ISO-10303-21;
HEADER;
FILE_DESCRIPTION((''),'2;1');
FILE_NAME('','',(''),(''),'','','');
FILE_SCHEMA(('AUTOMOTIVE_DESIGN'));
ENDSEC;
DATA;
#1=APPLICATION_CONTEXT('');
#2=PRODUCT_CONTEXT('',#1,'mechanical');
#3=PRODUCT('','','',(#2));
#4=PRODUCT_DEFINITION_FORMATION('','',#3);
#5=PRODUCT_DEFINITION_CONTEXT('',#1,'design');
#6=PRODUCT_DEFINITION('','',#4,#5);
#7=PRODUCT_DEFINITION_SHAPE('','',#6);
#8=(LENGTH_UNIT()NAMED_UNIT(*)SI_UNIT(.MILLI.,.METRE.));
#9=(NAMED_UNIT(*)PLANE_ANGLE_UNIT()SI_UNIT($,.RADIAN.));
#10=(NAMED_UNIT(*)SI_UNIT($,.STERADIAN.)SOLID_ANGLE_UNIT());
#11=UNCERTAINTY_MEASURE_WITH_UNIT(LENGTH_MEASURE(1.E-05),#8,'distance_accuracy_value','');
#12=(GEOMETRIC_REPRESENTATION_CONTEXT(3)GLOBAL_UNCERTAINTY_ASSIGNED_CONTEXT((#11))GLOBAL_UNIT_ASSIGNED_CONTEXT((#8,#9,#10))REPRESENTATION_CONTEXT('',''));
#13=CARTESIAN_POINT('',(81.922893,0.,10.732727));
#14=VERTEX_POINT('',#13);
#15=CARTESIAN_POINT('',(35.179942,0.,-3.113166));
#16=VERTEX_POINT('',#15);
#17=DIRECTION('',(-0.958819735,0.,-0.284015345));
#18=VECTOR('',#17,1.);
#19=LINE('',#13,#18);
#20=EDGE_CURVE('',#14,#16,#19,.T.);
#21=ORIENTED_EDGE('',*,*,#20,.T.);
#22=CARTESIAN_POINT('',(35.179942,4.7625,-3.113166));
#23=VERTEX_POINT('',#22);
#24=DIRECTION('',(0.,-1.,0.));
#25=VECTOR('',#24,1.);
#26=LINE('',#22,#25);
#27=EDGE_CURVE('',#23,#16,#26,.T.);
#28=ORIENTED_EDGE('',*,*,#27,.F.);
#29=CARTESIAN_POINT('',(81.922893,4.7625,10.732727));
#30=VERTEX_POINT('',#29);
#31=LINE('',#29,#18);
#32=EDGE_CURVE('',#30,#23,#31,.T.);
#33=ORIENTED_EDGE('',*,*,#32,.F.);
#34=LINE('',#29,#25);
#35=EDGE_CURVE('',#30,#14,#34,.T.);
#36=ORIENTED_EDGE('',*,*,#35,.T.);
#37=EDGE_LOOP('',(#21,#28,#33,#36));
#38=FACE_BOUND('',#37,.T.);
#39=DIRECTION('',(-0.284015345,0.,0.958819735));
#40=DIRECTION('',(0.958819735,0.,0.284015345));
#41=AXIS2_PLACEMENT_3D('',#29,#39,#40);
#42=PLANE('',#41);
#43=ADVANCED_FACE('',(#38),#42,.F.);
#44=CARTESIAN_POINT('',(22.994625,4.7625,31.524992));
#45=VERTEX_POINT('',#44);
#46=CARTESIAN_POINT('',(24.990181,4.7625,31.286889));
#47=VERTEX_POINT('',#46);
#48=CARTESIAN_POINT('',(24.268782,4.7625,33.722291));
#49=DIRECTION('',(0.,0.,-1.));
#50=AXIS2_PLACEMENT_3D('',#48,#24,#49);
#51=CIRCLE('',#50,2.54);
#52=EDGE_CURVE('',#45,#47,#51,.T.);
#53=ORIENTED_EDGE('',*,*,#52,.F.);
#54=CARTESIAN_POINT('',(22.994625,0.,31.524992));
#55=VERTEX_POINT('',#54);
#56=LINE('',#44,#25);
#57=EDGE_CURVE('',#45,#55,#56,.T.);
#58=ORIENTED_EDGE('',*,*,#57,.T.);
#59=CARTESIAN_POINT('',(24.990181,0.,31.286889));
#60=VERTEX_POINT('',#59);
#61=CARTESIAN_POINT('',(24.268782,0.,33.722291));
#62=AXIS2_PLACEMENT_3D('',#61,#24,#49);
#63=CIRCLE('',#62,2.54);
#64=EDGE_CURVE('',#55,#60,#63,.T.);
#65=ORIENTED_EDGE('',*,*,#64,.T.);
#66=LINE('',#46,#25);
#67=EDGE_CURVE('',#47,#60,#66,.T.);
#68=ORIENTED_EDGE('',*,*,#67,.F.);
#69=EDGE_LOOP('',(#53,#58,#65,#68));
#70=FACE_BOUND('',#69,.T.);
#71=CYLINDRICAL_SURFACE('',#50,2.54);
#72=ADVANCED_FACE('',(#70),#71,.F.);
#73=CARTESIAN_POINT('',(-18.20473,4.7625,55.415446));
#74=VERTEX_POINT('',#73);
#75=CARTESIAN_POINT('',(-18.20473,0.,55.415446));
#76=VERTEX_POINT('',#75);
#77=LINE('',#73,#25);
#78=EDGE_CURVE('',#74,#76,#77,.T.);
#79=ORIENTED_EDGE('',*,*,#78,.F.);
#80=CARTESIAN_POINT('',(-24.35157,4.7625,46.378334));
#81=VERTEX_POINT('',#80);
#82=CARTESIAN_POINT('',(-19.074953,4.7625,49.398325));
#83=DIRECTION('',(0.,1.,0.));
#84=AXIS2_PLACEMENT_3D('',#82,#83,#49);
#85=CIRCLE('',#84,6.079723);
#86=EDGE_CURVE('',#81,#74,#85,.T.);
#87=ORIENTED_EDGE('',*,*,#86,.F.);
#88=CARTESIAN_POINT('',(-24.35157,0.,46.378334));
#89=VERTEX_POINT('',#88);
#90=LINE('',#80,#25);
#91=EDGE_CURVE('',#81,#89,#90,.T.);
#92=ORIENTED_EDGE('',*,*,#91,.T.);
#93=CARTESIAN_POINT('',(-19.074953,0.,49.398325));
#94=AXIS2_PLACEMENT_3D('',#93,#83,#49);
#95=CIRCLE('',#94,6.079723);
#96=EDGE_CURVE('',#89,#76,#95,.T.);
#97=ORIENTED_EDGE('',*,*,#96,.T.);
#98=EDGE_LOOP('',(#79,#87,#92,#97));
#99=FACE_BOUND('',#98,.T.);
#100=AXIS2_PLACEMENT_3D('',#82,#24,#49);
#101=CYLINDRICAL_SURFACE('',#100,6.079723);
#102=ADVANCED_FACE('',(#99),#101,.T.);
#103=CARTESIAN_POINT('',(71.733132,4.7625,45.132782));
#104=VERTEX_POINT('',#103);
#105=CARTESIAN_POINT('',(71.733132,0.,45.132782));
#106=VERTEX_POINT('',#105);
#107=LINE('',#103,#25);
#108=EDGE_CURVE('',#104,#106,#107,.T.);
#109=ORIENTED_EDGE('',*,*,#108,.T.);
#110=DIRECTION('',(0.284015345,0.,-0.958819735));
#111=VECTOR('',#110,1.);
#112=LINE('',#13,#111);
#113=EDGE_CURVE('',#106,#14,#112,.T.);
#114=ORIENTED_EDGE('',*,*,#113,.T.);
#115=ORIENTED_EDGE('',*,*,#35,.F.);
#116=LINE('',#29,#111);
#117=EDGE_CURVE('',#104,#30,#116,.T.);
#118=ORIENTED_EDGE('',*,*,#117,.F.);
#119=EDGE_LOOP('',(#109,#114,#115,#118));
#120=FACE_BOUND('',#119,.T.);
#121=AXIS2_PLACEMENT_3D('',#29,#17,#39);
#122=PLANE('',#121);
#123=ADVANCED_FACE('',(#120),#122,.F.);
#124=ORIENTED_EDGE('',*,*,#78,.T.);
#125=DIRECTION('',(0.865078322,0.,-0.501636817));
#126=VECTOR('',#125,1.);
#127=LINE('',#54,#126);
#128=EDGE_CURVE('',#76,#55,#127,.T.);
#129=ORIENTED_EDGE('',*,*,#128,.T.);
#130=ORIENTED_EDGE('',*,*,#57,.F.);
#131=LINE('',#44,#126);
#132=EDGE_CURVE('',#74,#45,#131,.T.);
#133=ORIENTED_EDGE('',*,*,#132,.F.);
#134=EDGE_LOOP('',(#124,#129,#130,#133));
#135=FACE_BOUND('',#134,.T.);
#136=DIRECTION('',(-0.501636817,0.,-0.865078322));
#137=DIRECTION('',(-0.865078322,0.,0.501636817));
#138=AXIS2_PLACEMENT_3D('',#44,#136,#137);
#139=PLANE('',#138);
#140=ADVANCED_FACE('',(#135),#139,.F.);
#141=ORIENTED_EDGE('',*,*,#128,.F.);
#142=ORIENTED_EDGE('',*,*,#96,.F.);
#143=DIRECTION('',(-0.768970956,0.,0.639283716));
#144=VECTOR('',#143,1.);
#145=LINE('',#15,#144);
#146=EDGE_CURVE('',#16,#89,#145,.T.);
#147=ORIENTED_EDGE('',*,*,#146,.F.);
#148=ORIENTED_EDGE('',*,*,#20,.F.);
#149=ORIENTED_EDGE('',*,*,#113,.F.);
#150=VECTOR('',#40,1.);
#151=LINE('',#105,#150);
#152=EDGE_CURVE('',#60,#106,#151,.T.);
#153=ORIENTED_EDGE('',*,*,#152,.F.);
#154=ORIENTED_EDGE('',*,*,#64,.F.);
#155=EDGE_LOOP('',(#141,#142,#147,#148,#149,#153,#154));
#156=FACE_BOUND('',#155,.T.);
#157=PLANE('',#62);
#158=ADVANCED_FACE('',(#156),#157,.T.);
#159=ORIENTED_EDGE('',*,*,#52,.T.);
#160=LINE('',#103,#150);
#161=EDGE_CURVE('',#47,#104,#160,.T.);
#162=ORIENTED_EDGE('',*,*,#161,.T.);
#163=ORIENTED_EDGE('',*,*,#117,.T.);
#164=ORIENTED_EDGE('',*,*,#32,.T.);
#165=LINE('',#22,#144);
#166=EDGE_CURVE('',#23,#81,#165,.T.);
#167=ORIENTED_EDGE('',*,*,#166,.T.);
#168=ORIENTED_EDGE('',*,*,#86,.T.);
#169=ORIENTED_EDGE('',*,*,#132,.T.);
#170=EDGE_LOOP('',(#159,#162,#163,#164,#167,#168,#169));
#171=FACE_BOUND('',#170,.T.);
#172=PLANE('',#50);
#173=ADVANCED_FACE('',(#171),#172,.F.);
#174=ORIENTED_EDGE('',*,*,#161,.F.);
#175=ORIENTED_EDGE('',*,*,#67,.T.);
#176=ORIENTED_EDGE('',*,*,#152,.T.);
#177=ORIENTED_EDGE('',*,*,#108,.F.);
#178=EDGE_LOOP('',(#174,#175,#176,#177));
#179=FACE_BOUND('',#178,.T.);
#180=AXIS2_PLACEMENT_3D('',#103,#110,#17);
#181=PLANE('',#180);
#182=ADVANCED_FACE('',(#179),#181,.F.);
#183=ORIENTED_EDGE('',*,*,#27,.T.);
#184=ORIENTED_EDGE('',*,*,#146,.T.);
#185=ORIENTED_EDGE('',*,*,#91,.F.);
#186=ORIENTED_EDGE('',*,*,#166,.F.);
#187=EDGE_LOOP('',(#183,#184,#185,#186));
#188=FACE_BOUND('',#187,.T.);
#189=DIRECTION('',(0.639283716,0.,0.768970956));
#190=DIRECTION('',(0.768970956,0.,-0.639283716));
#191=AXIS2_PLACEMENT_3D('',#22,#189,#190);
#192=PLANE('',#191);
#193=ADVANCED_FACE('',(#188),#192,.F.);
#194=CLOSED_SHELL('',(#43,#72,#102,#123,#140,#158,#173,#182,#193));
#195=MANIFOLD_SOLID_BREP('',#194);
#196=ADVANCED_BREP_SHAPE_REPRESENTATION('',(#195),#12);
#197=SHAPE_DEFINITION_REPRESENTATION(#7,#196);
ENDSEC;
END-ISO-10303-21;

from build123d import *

# Parameters (mm, degrees)
BOSS_EXTRUDE1_DEPTH = 4.7625


with BuildPart() as part:
    # Sketch1 → Boss-Extrude1 (new body)
    with BuildSketch(Plane(origin=(0, 0, 0), x_dir=(1, 0, 0), z_dir=(0, 1, 0))):
        with BuildLine():
            Line((22.994624733, -31.524992416), (-18.204730368, -55.415445829))
            ThreePointArc((-18.204730368, -55.415445829), (-24.10202239, -52.817624121), (-24.351569793, -46.378334027))
            Line((-24.351569793, -46.378334027), (35.179941753, 3.113165809))
            Line((35.179941753, 3.113165809), (81.92289285, -10.7327271))
            Line((81.92289285, -10.7327271), (71.73313232, -45.132782137))
            Line((71.73313232, -45.132782137), (24.990181224, -31.286889228))
            ThreePointArc((24.990181224, -31.286889228), (23.967852385, -31.200180886), (22.994624733, -31.524992416))
        make_face()
    extrude(amount=BOSS_EXTRUDE1_DEPTH)


solid = part.part
